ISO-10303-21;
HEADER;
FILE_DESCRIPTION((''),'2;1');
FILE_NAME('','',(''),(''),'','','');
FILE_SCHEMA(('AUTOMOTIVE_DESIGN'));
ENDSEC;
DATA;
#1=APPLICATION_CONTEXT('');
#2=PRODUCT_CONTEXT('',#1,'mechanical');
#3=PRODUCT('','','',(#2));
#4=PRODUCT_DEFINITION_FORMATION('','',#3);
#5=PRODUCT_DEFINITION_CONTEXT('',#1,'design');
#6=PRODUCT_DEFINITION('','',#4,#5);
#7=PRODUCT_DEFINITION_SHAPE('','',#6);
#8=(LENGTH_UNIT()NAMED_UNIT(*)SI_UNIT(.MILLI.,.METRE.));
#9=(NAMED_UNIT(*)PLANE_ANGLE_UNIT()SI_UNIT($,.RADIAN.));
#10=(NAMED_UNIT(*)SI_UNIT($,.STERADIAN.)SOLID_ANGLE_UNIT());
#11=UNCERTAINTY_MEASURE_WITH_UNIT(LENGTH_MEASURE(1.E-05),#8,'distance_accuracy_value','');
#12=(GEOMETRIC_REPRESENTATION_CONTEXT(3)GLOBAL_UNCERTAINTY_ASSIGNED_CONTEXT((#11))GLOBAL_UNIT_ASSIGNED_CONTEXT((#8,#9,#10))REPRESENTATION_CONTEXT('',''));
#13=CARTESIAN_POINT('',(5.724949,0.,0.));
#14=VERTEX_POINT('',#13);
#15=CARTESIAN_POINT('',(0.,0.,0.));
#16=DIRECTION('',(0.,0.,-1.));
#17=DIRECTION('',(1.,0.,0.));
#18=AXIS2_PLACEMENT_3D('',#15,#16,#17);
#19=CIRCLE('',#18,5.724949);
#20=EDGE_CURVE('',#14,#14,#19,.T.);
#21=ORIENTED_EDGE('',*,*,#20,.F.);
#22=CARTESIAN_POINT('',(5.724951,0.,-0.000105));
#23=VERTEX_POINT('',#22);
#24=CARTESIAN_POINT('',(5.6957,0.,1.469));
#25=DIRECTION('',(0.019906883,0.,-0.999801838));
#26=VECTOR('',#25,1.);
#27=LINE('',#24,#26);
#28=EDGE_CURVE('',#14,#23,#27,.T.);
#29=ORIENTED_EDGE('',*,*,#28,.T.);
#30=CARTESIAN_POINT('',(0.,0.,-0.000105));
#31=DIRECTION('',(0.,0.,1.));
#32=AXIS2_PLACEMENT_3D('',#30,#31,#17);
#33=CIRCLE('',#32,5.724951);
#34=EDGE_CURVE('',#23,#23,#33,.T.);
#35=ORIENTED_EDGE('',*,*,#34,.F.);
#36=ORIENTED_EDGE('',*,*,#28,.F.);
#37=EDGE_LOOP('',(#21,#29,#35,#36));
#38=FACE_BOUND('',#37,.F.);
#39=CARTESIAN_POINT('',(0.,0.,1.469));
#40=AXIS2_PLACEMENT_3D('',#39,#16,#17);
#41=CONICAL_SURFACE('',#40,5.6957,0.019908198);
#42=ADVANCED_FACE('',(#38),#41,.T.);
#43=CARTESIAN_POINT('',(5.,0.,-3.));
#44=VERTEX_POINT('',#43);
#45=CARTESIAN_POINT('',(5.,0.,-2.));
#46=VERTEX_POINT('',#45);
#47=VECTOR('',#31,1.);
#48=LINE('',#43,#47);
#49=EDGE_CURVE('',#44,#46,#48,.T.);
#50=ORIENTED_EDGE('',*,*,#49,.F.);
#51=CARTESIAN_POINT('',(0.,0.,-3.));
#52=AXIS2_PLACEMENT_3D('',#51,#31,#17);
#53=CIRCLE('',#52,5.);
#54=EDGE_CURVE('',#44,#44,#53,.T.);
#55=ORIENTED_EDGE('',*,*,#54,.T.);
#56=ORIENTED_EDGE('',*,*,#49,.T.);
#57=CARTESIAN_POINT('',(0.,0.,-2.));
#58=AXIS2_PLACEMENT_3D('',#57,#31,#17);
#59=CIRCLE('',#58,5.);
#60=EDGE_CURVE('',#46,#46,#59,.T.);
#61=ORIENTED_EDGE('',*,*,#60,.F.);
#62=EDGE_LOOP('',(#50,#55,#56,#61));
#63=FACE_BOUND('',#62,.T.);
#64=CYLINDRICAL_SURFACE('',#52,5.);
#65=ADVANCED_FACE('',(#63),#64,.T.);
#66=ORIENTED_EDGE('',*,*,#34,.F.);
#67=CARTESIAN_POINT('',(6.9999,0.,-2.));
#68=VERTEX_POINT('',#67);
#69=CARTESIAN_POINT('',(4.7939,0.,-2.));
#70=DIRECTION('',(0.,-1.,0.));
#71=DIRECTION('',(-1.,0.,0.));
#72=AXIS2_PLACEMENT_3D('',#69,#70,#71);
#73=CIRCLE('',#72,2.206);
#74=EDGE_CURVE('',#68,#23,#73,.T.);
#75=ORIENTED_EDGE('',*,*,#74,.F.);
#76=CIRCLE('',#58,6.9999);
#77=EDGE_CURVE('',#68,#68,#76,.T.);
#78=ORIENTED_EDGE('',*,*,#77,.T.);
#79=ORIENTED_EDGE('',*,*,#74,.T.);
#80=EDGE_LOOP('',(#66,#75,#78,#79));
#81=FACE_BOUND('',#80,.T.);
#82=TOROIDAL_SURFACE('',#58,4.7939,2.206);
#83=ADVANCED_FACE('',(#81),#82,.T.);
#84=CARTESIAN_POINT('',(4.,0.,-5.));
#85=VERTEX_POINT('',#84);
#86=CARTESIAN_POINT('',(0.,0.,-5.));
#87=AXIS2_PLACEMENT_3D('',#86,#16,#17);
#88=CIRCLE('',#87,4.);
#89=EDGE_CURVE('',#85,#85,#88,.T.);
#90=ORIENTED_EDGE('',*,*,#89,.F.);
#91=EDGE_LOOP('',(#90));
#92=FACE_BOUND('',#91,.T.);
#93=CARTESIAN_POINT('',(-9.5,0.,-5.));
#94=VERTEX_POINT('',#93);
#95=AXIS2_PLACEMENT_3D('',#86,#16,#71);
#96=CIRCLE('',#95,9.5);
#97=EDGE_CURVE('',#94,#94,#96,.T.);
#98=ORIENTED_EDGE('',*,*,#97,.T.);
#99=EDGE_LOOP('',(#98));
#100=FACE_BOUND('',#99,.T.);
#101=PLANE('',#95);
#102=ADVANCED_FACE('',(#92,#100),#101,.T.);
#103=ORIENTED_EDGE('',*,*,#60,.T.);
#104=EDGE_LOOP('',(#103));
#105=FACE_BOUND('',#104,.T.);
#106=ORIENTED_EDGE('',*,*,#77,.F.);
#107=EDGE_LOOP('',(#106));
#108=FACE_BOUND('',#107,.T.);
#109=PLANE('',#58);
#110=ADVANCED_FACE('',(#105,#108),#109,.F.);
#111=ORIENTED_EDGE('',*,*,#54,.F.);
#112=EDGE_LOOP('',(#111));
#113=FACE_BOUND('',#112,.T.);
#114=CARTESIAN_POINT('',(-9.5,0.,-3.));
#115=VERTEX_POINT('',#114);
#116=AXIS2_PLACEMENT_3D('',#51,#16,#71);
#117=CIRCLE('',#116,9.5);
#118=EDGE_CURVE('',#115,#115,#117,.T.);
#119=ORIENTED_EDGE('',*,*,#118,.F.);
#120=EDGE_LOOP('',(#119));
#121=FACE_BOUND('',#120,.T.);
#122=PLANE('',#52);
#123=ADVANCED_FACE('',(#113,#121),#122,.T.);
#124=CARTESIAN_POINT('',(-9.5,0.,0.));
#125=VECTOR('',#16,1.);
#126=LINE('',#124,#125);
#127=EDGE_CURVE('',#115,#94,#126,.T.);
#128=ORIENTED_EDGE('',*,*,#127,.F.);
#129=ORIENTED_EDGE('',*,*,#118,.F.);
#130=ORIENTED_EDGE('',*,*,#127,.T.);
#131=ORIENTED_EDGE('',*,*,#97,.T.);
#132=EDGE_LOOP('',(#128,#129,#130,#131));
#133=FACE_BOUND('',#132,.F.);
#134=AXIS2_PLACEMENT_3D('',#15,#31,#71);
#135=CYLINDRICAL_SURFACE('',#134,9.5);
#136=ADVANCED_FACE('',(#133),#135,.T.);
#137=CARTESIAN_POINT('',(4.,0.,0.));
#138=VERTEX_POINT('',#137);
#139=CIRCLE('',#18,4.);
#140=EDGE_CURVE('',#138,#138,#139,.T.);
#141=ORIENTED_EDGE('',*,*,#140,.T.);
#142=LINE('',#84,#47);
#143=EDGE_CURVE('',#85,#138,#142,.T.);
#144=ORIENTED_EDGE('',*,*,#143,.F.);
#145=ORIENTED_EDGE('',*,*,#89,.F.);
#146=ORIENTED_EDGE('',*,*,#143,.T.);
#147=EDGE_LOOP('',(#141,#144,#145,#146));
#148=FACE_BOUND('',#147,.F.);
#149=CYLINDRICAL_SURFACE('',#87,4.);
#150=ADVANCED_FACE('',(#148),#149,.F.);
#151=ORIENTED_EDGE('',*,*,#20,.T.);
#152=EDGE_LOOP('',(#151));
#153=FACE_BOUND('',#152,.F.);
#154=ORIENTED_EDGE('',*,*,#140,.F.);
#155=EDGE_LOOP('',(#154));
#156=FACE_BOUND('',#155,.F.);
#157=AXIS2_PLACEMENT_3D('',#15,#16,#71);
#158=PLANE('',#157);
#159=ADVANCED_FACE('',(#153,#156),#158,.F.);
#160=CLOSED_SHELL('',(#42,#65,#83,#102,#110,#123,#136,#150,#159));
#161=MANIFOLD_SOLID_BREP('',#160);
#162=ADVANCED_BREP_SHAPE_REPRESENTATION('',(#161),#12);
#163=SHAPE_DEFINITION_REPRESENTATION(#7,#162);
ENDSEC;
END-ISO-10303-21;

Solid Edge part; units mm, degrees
sketch "Sketch1" plane through (0, 0, 0) normal (0, 0, -1) x (-1, 0, 0)
  circle A0 centre (0, 0) radius 9.5
extrude "Protrusion1" add sketch "Sketch1" along normal blind 5
sketch "Sketch2" plane through (0, 0, -5) normal (0, 0, -1) x (1, 0, 0)
  circle A0 centre (0, 0) radius 4
extrude "Kivágás_1" cut sketch "Sketch2" against normal blind 7.7152
sketch "Sketch3" plane through (0, 0, 0) normal (0, 1, 0) x (-1, 0, 0)
  line L0 (-9.5, -3) -> (-7, -3)
  line L1 (-7, -3) -> (-5, -3)
  line L2 (-5, -3) -> (-5, -2)
  line L3 (-5, -2) -> (-7, -2)
  arc A0 (-7, -2) -> (-5.725, 0) centre (-4.7939, -2) cw
  line L4 (-5.6957, 1.469) -> (-5.725, 0)
  line L5 (-11.4658, 1.2586) -> (-5.6957, 1.469)
  line L6 (-12.1673, -3) -> (-11.4658, 1.2586)
  line L7 (-9.5, -3) -> (-12.1673, -3)
revolve "RevolvedCutout1" cut sketch "Sketch3" angle 360 about axis through (0, 0, 0) along (0, 0, 1)
properties material "Réz, sárgaréz"
